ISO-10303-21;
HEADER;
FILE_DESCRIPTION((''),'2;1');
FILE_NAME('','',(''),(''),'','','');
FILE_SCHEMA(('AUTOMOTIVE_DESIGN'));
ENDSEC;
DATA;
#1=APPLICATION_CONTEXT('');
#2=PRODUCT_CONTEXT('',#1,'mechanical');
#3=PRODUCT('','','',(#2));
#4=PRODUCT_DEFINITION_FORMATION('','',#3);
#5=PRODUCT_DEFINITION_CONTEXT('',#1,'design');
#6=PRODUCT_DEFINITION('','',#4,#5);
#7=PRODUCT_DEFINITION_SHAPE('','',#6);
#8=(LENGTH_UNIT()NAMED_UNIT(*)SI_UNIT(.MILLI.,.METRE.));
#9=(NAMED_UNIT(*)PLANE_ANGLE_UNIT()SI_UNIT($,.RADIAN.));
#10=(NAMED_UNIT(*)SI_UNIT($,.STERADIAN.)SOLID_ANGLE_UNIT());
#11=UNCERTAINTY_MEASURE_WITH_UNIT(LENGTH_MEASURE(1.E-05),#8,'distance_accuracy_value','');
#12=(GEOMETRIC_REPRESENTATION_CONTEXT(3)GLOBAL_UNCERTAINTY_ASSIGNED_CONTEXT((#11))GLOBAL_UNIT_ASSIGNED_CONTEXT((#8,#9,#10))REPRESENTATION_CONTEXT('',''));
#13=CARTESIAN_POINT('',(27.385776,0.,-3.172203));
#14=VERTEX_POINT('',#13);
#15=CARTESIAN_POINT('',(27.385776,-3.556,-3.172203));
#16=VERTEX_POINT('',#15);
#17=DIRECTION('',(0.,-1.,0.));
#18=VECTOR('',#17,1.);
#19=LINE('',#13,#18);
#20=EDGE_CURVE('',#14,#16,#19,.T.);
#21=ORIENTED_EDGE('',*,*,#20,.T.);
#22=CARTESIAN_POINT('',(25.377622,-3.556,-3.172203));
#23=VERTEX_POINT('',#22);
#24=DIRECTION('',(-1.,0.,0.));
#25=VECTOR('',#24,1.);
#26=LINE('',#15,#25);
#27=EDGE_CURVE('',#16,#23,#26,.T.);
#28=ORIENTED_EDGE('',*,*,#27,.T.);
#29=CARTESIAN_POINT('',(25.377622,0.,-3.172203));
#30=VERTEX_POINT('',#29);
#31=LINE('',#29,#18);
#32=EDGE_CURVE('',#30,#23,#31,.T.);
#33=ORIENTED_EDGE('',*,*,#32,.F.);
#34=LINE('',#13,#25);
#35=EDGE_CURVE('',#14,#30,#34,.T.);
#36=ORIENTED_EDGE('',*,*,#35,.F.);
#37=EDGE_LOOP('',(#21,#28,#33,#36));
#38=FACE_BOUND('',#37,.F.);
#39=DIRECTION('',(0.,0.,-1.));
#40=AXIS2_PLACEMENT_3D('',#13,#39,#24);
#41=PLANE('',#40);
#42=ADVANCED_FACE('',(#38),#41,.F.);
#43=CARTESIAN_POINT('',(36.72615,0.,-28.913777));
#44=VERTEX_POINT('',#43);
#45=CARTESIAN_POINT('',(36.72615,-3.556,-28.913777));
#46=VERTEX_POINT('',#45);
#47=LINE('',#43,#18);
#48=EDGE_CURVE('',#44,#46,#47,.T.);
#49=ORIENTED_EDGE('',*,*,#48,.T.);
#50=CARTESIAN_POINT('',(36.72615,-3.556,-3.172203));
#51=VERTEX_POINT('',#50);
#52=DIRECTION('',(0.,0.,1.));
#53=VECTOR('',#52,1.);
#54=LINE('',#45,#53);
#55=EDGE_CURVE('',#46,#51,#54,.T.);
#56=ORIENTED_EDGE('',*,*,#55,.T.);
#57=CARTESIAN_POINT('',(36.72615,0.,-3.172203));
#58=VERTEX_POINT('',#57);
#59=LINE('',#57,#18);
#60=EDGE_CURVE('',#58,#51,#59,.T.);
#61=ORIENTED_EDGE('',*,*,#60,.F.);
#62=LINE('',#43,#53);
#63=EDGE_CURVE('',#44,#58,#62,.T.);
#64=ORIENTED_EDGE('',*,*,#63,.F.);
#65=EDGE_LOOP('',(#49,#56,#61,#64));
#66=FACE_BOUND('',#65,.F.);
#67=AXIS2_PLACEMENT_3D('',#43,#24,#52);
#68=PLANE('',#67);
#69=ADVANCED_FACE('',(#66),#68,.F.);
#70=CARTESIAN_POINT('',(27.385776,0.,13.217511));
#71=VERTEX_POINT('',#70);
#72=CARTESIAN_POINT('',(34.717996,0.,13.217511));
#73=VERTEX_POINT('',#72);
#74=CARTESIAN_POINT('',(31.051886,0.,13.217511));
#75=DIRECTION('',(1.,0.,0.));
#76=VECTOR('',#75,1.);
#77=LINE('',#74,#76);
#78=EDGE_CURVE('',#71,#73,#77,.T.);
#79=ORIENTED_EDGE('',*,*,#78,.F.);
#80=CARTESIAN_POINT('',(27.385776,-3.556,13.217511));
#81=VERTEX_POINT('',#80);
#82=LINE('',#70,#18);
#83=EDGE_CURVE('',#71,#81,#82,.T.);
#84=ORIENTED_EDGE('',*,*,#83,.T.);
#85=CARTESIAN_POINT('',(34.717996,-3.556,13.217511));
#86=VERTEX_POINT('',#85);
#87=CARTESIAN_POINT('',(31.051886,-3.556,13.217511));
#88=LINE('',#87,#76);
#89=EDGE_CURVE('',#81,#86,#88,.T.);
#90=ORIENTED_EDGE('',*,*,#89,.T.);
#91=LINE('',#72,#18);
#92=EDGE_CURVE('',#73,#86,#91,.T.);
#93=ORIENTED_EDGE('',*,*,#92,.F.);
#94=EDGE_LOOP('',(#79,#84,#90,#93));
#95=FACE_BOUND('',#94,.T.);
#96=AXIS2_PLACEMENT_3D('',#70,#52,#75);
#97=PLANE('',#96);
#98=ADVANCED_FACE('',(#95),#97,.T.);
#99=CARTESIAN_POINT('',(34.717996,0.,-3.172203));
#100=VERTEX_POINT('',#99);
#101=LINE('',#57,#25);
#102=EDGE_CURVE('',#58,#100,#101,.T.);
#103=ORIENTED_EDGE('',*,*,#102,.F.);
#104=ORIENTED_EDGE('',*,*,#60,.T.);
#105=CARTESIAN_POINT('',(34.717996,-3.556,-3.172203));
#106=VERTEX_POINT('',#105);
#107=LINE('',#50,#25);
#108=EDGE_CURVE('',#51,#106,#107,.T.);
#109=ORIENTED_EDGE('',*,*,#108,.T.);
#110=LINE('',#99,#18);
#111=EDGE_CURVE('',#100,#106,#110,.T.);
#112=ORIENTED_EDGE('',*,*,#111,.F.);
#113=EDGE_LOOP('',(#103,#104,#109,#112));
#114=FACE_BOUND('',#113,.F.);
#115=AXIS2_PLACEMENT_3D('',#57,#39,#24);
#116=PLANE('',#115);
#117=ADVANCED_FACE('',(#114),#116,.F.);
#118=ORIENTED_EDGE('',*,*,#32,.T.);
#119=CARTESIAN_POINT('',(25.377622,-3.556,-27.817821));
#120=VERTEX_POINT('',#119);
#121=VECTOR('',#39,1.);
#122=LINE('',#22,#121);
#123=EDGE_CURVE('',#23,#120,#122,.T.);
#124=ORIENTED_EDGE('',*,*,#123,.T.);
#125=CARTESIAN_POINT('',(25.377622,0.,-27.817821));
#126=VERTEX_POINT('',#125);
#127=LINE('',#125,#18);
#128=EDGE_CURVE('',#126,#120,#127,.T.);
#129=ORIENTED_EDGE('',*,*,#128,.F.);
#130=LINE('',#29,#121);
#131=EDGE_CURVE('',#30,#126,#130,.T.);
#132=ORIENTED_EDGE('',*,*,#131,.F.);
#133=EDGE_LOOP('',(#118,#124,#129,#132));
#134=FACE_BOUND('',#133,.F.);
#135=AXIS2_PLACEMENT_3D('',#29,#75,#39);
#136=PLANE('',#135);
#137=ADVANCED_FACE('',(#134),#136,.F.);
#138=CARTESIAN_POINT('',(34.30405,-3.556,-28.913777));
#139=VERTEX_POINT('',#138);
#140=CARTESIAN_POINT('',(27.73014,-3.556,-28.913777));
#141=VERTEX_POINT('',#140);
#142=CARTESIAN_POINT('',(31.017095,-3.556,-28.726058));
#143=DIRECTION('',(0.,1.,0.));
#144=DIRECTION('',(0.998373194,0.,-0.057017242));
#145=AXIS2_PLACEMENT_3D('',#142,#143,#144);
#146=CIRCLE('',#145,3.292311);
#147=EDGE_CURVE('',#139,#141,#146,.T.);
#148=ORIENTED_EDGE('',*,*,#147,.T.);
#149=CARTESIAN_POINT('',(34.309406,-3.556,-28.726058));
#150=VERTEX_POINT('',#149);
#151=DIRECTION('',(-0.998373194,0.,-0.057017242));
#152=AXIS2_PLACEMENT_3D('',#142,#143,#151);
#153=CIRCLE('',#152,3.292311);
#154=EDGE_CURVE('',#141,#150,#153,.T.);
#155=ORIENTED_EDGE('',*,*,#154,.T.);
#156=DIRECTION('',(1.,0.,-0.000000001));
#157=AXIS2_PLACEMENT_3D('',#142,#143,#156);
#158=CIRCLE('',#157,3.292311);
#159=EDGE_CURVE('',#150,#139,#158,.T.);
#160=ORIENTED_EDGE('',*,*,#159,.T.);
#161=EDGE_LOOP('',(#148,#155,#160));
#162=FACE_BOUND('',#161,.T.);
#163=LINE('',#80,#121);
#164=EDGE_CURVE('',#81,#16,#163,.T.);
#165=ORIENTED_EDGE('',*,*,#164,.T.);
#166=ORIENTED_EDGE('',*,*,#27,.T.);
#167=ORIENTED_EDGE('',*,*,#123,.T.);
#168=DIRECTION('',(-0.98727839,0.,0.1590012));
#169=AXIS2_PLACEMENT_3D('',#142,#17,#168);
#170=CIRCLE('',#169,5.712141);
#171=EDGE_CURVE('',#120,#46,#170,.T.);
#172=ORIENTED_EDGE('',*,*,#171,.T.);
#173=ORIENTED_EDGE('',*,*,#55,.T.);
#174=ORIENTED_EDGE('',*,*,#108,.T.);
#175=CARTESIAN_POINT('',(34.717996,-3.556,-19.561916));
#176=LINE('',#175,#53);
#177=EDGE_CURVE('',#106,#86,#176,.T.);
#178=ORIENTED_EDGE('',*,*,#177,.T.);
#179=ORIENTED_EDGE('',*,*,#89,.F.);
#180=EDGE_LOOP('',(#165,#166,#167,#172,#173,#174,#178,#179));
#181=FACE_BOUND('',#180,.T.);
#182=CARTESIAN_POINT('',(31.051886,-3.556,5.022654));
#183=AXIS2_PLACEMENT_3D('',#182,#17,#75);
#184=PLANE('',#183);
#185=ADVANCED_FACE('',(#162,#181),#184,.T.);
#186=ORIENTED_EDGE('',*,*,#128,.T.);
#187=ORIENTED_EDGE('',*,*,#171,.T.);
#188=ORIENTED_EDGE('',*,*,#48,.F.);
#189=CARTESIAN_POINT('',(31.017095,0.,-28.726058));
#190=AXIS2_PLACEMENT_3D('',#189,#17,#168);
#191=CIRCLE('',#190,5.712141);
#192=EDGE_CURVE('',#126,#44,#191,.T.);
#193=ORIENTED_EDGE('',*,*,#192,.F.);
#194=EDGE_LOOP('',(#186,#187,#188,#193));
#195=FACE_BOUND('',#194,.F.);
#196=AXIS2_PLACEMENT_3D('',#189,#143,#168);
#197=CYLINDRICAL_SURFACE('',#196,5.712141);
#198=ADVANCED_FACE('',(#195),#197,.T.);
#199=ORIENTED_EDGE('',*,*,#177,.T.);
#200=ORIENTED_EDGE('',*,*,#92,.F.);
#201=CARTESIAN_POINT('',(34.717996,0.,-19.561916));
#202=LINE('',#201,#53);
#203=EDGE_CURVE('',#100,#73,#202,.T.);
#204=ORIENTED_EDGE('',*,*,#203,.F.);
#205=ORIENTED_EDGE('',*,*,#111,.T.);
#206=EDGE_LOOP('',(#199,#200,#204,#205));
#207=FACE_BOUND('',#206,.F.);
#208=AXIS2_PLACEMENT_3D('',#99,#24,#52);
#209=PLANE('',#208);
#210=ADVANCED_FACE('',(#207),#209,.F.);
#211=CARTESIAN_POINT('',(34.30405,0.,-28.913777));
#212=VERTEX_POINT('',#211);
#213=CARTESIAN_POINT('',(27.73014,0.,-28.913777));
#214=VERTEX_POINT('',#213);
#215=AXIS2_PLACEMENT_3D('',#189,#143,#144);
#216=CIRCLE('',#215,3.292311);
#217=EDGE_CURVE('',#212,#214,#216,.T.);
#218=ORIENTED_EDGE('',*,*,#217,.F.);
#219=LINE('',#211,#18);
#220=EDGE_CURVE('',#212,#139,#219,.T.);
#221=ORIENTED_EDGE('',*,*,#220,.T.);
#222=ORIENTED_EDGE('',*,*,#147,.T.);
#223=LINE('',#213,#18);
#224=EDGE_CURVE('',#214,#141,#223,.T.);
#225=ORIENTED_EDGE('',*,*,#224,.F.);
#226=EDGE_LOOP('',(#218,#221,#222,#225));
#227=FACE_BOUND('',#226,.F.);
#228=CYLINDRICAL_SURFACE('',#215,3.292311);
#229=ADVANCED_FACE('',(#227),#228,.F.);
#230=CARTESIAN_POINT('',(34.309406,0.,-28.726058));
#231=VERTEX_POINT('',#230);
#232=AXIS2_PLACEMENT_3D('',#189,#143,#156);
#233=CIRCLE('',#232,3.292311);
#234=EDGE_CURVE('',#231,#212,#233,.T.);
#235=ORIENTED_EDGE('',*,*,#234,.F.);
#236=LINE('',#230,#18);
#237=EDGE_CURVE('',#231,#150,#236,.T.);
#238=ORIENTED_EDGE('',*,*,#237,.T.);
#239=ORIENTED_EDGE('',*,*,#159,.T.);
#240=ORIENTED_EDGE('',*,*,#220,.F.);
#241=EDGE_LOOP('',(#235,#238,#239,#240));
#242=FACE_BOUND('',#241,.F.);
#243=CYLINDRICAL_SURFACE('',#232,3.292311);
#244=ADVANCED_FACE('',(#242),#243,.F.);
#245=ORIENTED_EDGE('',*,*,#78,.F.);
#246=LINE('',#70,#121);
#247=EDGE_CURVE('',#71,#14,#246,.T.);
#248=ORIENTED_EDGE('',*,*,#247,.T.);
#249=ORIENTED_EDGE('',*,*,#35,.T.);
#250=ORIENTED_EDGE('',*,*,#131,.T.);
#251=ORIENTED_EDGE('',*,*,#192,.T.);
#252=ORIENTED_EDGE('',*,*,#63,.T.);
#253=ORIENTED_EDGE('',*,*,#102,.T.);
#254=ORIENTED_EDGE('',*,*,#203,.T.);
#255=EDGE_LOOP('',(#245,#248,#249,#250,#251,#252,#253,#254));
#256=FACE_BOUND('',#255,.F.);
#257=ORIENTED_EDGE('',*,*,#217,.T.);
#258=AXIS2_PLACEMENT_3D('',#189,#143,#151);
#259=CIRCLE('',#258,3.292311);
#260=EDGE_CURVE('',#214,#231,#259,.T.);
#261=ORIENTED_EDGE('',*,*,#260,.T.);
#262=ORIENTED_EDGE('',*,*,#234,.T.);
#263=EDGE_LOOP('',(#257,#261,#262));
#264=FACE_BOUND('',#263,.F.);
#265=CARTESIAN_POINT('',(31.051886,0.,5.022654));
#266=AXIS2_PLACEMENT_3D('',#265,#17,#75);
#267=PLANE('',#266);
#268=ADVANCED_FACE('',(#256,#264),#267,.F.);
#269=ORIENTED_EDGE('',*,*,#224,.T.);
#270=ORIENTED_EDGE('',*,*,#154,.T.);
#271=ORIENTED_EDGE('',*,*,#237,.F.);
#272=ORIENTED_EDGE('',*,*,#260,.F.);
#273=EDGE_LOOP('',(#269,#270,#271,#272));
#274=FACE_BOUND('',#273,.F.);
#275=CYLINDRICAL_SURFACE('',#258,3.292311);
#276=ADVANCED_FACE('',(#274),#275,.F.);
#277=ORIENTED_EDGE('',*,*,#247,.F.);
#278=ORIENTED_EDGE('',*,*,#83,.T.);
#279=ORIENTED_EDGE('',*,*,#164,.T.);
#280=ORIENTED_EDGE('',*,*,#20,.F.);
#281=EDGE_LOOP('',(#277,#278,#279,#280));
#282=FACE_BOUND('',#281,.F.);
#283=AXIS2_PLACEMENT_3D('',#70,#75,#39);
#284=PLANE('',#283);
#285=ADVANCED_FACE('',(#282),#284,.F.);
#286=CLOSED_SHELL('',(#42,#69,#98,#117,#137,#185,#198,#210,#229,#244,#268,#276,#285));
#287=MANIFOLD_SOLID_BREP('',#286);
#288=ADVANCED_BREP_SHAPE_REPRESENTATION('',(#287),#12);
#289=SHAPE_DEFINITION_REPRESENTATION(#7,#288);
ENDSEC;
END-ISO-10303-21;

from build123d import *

# Parameters (mm, degrees)
F0_W     = 7.332219354
F0_H     = 16.389713157
F1_DEPTH = 3.556


with BuildPart() as f1:
    # F0 (on Front) → F1 (new body)
    with BuildSketch(Plane.XZ):
        with Locations((31.0518859964, 5.022654077)):
            Rectangle(F0_W, F0_H)
        with Locations((31.0518859964, -11.3670590799)):
            Rectangle(F0_W, F0_H)
        with BuildLine():
            Line((25.3776218742, -3.1722025014), (25.3776218742, -27.8178208713))
            ThreePointArc((25.3776218742, -27.8178208713), (31.379030254, -23.0253955717), (36.7261501186, -28.5383396079))
            Line((36.7261501186, -28.5383396079), (36.7261501186, -3.1722025014))
            Line((36.7261501186, -3.1722025014), (34.7179956734, -3.1722025014))
            Line((34.7179956734, -3.1722025014), (34.7179956734, -19.5619156584))
            Line((34.7179956734, -19.5619156584), (27.3857763194, -19.5619156584))
            Line((27.3857763194, -19.5619156584), (27.3857763194, -3.1722025014))
            Line((27.3857763194, -3.1722025014), (25.3776218742, -3.1722025014))
        make_face()
        with BuildLine():
            ThreePointArc((34.3040495539, -28.9137765537), (31.0170948505, -32.0183687355), (27.7301401472, -28.9137765537))
            Line((27.7301401472, -28.9137765537), (25.3776218742, -28.9137765537))
            Line((25.3776218742, -28.9137765537), (25.3776218742, -27.8178208713))
            ThreePointArc((25.3776218742, -27.8178208713), (30.4680136742, -34.4117471456), (36.7261501186, -28.9137765537))
            Line((36.7261501186, -28.9137765537), (34.3040495539, -28.9137765537))
        make_face()
        with BuildLine():
            ThreePointArc((27.7301401472, -28.9137765537), (30.9231974181, -25.4350866863), (34.3094055053, -28.7260580808))
            ThreePointArc((34.3094055053, -28.7260580808), (34.308066245, -28.8199555132), (34.3040495539, -28.9137765537))
            Line((34.3040495539, -28.9137765537), (36.7261501186, -28.9137765537))
            Line((36.7261501186, -28.9137765537), (36.7261501186, -28.5383396079))
            ThreePointArc((36.7261501186, -28.5383396079), (31.379030254, -23.0253955717), (25.3776218742, -27.8178208713))
            Line((25.3776218742, -27.8178208713), (25.3776218742, -28.9137765537))
            Line((25.3776218742, -28.9137765537), (27.7301401472, -28.9137765537))
        make_face()
    extrude(amount=F1_DEPTH)


solid = f1.part
